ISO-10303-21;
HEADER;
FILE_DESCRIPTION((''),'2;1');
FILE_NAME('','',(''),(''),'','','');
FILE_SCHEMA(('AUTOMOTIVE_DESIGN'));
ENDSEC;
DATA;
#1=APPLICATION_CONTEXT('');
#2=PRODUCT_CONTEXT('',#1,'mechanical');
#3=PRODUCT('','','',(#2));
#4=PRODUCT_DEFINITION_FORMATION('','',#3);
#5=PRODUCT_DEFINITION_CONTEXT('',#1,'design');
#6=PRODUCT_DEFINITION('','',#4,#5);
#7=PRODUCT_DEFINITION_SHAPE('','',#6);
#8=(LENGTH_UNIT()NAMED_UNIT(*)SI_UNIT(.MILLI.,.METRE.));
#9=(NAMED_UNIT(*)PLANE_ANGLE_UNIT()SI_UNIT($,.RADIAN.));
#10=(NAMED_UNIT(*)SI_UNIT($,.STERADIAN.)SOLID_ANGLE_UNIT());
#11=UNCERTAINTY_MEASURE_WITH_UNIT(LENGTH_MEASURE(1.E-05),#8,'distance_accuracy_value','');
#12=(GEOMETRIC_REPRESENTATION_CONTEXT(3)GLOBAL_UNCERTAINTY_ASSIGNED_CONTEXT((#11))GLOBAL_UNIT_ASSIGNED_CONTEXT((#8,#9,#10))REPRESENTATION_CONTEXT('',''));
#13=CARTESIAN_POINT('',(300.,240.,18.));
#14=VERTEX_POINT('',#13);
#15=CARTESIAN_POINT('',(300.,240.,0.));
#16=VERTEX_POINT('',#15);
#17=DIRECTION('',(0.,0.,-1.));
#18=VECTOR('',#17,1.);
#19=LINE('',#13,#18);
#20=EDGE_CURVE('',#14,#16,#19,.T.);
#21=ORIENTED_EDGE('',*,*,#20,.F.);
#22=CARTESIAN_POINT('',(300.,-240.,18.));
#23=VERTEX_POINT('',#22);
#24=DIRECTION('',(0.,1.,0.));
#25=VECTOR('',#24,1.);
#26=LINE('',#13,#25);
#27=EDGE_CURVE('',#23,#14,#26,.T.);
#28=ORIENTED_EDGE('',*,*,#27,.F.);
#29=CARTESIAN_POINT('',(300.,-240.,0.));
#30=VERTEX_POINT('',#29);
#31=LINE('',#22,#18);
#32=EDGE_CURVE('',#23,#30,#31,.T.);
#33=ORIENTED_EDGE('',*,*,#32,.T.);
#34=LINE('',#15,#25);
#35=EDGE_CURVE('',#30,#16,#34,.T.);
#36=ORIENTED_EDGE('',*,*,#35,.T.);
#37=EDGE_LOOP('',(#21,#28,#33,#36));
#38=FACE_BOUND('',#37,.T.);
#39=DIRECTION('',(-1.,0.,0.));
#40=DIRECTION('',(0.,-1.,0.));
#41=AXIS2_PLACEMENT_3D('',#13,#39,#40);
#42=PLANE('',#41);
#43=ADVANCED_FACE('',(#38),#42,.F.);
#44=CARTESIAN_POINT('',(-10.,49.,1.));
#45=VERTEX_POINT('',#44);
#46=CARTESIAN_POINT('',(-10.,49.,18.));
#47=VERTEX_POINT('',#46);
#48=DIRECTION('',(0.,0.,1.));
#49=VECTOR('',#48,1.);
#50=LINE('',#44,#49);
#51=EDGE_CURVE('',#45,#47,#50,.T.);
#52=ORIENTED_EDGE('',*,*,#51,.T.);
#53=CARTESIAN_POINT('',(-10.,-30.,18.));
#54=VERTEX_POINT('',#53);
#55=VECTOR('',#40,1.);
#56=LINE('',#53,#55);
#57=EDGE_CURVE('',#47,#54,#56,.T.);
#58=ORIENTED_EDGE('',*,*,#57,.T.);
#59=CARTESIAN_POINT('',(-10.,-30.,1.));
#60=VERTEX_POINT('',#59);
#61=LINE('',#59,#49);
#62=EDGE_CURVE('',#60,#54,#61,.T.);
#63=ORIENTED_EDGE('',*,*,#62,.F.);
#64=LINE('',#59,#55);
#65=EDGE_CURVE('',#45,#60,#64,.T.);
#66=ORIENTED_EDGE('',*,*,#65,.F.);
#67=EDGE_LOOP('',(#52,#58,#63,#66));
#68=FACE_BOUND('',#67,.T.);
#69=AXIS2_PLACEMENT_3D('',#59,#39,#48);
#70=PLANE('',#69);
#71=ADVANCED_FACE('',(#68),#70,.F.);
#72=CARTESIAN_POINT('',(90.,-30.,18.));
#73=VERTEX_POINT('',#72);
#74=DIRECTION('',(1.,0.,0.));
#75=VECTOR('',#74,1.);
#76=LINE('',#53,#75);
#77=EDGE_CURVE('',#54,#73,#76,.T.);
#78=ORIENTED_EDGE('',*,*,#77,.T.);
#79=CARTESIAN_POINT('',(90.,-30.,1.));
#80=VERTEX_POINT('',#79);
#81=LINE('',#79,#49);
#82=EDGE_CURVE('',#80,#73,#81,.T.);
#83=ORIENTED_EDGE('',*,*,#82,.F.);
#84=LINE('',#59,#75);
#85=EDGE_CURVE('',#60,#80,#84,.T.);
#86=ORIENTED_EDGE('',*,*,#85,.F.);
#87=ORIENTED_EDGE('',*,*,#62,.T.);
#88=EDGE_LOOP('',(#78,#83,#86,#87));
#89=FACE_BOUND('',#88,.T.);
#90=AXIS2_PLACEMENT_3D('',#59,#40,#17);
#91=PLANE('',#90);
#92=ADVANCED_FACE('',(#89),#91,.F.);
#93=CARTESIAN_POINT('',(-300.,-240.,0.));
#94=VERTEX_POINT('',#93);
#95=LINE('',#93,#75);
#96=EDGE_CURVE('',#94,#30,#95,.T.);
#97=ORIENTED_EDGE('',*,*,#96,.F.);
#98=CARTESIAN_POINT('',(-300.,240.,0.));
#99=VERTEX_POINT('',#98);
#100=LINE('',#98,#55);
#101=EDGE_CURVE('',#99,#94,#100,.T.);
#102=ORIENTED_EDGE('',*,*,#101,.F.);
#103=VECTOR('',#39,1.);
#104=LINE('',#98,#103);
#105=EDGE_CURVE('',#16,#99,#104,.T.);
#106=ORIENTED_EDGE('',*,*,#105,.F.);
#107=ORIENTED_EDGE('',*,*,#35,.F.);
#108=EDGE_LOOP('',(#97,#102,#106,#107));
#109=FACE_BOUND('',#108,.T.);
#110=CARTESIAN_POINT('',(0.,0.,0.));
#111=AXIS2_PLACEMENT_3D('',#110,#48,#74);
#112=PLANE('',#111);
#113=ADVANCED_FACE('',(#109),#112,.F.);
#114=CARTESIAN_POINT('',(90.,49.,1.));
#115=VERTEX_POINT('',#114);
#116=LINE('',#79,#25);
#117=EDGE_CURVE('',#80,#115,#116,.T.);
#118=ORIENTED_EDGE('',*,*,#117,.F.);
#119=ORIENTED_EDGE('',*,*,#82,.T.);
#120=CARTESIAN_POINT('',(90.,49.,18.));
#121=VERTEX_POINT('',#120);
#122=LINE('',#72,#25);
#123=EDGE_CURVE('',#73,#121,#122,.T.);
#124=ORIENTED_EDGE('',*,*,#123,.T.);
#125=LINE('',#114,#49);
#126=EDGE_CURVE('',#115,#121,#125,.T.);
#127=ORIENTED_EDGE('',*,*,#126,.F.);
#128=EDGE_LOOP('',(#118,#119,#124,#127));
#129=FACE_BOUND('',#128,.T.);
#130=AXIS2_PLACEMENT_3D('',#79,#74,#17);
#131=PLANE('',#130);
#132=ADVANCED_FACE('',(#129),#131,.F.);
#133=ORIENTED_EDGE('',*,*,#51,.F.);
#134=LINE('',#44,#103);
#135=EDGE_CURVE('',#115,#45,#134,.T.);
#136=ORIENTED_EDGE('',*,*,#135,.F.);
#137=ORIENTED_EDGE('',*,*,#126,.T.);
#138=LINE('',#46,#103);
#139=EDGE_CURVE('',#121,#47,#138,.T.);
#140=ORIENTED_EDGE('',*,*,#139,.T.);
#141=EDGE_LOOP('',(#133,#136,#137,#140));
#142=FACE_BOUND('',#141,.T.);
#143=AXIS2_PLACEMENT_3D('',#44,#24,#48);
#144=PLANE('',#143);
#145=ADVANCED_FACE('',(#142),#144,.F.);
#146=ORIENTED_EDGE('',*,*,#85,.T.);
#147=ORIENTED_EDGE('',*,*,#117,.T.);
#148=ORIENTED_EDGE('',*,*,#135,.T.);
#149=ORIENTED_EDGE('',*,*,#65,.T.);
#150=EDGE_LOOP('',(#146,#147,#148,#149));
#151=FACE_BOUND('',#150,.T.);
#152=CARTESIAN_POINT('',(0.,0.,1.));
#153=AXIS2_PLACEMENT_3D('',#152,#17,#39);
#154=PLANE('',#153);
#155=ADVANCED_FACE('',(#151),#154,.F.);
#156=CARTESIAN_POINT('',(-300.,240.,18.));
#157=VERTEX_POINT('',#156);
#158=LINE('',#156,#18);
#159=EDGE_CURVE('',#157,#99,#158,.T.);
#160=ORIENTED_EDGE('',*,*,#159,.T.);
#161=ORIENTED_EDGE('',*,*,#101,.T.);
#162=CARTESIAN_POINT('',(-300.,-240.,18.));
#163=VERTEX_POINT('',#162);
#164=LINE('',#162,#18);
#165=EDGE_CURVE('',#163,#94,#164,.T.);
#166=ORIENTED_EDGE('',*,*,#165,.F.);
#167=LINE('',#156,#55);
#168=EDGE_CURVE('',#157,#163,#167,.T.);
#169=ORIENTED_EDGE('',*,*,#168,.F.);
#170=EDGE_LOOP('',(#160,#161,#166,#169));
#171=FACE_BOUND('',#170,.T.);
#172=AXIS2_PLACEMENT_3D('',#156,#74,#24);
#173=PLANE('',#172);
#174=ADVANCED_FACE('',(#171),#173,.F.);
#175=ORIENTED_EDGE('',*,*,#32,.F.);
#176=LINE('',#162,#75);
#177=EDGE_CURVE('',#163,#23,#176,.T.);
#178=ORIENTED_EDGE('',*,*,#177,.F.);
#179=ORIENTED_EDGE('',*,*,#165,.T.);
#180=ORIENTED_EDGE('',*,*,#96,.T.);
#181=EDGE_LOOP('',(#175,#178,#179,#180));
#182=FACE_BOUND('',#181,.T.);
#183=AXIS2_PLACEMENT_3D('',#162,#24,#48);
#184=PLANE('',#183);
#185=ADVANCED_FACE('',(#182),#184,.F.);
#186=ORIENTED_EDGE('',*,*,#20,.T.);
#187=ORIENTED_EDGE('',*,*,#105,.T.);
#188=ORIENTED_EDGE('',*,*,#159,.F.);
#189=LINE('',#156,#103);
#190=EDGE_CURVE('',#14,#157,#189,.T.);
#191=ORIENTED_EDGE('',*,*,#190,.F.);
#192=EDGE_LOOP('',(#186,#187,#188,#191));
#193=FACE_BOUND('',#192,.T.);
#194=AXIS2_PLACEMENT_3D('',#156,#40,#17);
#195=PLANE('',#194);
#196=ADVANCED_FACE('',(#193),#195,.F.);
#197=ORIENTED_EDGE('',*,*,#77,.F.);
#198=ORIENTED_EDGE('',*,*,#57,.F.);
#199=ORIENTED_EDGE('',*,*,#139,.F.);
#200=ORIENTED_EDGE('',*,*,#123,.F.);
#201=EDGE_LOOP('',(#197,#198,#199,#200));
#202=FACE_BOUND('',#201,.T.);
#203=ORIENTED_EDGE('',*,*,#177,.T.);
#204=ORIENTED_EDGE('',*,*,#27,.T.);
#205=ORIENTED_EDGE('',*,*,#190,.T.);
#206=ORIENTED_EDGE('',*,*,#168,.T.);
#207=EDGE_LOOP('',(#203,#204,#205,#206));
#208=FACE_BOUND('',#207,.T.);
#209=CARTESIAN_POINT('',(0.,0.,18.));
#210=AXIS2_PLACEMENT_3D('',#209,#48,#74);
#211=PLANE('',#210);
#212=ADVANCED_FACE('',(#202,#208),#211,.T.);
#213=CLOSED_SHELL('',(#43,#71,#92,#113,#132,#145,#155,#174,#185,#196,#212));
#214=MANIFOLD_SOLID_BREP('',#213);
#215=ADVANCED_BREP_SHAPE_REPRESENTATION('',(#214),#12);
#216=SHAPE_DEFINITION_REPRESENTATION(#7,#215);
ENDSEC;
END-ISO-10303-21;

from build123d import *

# Parameters (mm, degrees)
ESQUISSE1_W             = 600
ESQUISSE1_H             = 480
BOSS_EXTRU_1_DEPTH      = 18
ESQUISSE2_W             = 100
ESQUISSE2_H             = 79
ENL_V_MAT_EXTRU_1_DEPTH = 17


with BuildPart() as part:
    # Esquisse1 → Boss.-Extru.1 (new body)
    with BuildSketch(Plane.XY):
        Rectangle(ESQUISSE1_W, ESQUISSE1_H)
    extrude(amount=BOSS_EXTRU_1_DEPTH)

    # Esquisse2 → Enlèv. mat.-Extru.1 (cut)
    with BuildSketch(Plane.XY.offset(18)):
        with Locations((40, 9.5)):
            Rectangle(ESQUISSE2_W, ESQUISSE2_H)
    extrude(amount=-ENL_V_MAT_EXTRU_1_DEPTH, mode=Mode.SUBTRACT)


solid = part.part
